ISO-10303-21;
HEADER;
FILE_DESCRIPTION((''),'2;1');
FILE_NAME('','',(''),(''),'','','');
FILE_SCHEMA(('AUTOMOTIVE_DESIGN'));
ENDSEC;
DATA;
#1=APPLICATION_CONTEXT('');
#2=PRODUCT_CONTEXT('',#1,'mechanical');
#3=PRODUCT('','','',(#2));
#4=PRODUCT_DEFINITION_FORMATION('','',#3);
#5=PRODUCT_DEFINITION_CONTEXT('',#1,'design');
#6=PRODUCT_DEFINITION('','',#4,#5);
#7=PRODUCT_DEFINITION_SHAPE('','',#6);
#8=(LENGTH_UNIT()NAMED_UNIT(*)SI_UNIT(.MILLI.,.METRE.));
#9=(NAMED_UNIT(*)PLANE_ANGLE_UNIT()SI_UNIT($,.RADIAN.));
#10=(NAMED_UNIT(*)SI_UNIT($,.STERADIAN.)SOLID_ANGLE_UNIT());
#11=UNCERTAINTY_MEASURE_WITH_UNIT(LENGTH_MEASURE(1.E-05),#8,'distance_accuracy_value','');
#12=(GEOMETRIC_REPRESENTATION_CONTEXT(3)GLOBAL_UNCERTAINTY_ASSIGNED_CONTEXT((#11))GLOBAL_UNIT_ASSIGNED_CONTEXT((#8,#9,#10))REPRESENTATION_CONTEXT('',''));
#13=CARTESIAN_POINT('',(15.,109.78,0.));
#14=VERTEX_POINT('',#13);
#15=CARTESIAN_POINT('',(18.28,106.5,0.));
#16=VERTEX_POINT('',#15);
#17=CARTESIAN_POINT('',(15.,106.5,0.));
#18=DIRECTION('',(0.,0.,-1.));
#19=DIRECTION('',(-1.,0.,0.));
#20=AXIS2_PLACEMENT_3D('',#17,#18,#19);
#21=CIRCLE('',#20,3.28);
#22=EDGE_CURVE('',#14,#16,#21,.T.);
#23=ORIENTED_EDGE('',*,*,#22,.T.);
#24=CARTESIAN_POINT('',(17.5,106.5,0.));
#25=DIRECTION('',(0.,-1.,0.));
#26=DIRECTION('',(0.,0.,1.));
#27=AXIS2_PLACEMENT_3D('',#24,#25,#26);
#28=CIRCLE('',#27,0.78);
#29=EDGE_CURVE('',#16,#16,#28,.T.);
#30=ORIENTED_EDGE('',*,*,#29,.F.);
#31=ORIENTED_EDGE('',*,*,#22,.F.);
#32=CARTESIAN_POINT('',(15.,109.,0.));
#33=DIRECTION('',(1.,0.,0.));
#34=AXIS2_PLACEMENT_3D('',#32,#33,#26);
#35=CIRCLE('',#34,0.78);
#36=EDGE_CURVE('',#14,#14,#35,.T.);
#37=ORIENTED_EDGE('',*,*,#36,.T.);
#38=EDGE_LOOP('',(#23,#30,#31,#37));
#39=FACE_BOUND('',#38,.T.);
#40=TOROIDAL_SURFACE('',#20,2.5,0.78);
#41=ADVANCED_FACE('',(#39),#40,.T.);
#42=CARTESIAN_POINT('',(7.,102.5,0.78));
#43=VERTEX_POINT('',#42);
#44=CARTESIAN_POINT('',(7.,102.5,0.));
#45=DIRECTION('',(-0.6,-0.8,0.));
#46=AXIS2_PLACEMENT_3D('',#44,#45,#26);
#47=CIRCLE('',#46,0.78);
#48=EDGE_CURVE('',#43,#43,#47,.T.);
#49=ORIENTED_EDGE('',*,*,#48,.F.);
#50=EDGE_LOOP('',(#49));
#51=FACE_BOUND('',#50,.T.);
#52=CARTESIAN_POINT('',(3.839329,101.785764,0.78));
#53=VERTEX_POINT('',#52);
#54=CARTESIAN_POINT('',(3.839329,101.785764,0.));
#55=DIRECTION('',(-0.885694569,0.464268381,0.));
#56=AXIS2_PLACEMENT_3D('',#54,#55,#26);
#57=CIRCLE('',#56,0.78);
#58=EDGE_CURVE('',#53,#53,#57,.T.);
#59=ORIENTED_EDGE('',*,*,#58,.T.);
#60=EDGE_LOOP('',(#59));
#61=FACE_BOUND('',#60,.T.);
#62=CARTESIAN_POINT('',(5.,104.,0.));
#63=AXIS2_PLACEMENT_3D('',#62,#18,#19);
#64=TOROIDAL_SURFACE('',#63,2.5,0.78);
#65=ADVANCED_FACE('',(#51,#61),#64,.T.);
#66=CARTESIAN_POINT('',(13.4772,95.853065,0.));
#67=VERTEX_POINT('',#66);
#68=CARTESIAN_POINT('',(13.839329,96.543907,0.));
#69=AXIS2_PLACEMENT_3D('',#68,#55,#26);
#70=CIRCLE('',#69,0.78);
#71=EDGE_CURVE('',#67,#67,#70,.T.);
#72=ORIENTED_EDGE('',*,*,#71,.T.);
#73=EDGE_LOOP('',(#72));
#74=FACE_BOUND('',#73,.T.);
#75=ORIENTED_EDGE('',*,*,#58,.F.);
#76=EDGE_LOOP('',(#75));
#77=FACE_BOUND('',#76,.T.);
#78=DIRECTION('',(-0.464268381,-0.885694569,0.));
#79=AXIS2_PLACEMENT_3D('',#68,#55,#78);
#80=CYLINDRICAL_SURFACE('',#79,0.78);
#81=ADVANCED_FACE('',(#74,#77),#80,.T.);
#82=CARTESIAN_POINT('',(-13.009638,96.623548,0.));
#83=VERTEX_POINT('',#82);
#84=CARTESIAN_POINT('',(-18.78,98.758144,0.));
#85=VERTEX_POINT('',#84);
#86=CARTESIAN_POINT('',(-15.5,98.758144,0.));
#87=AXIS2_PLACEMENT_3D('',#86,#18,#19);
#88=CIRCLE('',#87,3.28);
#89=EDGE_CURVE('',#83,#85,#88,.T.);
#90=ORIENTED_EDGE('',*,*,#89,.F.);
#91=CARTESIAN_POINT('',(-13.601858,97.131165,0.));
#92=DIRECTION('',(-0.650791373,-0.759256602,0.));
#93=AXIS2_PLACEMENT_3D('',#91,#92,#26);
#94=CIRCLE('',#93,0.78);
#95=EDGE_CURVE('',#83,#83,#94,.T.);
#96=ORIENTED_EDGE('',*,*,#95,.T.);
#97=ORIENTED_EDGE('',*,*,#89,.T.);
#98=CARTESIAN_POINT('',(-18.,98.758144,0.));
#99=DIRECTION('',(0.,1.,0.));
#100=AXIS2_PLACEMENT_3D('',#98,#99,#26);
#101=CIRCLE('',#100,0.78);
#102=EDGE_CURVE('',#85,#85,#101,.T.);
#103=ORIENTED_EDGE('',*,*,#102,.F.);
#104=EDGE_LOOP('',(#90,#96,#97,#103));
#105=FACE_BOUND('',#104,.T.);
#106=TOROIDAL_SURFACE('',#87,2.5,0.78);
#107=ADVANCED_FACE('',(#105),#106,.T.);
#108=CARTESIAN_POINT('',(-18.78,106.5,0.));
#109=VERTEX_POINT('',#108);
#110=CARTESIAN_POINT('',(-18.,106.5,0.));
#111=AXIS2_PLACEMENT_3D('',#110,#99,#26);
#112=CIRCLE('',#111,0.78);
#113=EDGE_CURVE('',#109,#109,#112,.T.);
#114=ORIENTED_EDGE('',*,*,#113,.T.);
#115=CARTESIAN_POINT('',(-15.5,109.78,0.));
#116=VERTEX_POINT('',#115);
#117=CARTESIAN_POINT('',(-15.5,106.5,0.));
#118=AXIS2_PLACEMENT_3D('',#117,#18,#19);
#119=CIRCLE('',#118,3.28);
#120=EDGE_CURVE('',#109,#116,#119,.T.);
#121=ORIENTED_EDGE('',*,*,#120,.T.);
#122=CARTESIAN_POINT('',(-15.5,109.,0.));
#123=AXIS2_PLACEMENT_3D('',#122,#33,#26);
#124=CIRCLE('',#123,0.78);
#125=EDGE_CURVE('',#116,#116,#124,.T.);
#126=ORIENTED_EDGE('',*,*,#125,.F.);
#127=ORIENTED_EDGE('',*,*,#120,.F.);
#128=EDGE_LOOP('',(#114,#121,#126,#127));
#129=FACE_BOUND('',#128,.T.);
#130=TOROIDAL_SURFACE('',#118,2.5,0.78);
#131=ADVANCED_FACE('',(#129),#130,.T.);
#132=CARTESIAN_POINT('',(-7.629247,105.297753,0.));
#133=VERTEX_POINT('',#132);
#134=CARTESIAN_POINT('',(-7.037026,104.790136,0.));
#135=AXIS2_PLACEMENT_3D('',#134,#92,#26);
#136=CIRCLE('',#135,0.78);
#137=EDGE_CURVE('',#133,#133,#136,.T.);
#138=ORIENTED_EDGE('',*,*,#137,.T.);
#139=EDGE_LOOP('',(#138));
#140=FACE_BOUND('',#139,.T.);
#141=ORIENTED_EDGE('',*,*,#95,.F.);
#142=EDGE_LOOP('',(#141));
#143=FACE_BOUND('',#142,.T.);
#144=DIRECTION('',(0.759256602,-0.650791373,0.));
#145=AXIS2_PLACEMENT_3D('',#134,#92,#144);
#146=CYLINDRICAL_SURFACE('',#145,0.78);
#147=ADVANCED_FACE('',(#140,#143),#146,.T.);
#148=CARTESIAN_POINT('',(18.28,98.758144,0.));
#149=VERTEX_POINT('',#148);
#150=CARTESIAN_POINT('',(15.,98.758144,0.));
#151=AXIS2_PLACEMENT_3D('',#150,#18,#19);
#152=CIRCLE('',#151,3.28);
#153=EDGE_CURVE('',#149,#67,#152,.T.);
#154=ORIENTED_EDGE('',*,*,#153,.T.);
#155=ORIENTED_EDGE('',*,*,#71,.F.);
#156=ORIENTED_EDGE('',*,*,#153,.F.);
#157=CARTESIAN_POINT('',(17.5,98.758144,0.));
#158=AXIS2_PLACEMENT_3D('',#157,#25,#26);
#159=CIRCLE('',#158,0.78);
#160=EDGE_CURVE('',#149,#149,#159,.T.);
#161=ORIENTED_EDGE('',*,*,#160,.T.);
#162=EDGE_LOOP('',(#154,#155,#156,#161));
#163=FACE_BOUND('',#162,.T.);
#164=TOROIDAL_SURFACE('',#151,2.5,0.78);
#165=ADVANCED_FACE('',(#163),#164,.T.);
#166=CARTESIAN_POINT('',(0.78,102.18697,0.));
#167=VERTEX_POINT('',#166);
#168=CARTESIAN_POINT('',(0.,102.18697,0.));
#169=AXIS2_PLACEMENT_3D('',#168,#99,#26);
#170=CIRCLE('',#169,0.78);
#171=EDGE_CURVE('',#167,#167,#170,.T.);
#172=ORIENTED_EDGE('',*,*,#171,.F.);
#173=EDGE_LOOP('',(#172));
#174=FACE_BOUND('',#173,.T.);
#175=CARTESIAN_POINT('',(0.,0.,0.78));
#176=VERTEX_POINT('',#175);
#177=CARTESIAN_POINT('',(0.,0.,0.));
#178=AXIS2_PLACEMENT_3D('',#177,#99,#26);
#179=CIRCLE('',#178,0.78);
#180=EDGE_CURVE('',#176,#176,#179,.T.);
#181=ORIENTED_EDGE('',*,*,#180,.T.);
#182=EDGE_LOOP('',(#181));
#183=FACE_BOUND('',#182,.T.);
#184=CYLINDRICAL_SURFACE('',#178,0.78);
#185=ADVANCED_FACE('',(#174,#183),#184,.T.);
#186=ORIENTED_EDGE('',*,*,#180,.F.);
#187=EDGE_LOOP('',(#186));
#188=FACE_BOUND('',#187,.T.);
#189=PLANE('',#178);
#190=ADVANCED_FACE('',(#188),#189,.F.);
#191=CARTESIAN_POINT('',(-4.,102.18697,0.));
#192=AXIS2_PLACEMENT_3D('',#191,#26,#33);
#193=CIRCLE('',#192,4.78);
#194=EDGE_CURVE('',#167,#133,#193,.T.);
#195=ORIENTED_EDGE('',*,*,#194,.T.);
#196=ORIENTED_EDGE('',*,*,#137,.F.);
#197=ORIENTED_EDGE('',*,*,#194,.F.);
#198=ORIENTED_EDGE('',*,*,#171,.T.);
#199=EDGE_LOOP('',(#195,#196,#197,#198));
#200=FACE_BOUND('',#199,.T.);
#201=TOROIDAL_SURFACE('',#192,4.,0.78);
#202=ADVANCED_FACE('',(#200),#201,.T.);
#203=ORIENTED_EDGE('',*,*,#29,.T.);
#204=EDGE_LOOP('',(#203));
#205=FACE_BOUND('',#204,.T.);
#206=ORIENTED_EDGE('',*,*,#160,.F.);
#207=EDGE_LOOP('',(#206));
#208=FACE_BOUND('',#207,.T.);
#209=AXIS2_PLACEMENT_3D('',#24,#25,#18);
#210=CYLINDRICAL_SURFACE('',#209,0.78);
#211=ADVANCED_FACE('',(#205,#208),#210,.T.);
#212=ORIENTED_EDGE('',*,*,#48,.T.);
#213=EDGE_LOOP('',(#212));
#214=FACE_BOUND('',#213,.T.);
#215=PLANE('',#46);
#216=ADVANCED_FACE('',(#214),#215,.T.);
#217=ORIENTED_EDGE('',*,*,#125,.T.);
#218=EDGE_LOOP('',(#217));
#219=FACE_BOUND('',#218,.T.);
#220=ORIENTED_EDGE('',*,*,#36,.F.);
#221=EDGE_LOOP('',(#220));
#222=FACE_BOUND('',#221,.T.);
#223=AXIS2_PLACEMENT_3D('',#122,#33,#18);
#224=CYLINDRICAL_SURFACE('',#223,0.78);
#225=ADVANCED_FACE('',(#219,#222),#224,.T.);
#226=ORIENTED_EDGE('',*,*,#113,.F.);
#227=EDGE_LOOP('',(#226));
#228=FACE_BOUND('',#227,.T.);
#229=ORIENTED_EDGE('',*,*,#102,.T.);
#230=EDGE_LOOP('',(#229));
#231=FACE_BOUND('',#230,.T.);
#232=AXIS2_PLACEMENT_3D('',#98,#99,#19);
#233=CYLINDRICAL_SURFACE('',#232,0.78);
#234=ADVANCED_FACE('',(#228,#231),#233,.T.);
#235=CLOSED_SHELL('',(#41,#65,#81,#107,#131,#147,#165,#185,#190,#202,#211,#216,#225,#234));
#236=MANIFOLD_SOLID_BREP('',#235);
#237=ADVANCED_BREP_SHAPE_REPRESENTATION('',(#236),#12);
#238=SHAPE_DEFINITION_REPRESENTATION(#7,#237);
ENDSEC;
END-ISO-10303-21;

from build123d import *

# Parameters (mm, degrees)
SKETCH2_R = 0.78


with BuildPart() as part:
    # Sweep2: sweep along a path in Sketch1
    with BuildLine(Plane.XY) as sweep2_path:
        Line((0, 0), (0, 102.186970362))
        ThreePointArc((0, 102.186970362), (-2.612215009, 105.938510421), (-7.037026409, 104.790135856))
        Line((-7.037026409, 104.790135856), (-13.601858494, 97.13116509))
        ThreePointArc((-13.601858494, 97.13116509), (-16.367365619, 96.413430987), (-18, 98.758143524))
        Line((-18, 98.758143524), (-18, 106.5))
        ThreePointArc((-18, 106.5), (-17.267766953, 108.267766953), (-15.5, 109))
        Line((-15.5, 109), (15, 109))
        ThreePointArc((15, 109), (16.767766953, 108.267766953), (17.5, 106.5))
        Line((17.5, 106.5), (17.5, 98.758143524))
        ThreePointArc((17.5, 98.758143524), (16.293893855, 96.619022515), (13.839329047, 96.543907101))
        Line((13.839329047, 96.543907101), (3.839329047, 101.785763577))
        ThreePointArc((3.839329047, 101.785763577), (4.448953968, 106.438513537), (7, 102.5))
    # Sketch2 → Sweep2 (sweep)
    with BuildSketch(Plane(origin=(0, 0, 0), x_dir=(1, 0, 0), z_dir=(0, 1, 0))):
        Circle(SKETCH2_R)
    sweep(path=sweep2_path.line)


solid = part.part
